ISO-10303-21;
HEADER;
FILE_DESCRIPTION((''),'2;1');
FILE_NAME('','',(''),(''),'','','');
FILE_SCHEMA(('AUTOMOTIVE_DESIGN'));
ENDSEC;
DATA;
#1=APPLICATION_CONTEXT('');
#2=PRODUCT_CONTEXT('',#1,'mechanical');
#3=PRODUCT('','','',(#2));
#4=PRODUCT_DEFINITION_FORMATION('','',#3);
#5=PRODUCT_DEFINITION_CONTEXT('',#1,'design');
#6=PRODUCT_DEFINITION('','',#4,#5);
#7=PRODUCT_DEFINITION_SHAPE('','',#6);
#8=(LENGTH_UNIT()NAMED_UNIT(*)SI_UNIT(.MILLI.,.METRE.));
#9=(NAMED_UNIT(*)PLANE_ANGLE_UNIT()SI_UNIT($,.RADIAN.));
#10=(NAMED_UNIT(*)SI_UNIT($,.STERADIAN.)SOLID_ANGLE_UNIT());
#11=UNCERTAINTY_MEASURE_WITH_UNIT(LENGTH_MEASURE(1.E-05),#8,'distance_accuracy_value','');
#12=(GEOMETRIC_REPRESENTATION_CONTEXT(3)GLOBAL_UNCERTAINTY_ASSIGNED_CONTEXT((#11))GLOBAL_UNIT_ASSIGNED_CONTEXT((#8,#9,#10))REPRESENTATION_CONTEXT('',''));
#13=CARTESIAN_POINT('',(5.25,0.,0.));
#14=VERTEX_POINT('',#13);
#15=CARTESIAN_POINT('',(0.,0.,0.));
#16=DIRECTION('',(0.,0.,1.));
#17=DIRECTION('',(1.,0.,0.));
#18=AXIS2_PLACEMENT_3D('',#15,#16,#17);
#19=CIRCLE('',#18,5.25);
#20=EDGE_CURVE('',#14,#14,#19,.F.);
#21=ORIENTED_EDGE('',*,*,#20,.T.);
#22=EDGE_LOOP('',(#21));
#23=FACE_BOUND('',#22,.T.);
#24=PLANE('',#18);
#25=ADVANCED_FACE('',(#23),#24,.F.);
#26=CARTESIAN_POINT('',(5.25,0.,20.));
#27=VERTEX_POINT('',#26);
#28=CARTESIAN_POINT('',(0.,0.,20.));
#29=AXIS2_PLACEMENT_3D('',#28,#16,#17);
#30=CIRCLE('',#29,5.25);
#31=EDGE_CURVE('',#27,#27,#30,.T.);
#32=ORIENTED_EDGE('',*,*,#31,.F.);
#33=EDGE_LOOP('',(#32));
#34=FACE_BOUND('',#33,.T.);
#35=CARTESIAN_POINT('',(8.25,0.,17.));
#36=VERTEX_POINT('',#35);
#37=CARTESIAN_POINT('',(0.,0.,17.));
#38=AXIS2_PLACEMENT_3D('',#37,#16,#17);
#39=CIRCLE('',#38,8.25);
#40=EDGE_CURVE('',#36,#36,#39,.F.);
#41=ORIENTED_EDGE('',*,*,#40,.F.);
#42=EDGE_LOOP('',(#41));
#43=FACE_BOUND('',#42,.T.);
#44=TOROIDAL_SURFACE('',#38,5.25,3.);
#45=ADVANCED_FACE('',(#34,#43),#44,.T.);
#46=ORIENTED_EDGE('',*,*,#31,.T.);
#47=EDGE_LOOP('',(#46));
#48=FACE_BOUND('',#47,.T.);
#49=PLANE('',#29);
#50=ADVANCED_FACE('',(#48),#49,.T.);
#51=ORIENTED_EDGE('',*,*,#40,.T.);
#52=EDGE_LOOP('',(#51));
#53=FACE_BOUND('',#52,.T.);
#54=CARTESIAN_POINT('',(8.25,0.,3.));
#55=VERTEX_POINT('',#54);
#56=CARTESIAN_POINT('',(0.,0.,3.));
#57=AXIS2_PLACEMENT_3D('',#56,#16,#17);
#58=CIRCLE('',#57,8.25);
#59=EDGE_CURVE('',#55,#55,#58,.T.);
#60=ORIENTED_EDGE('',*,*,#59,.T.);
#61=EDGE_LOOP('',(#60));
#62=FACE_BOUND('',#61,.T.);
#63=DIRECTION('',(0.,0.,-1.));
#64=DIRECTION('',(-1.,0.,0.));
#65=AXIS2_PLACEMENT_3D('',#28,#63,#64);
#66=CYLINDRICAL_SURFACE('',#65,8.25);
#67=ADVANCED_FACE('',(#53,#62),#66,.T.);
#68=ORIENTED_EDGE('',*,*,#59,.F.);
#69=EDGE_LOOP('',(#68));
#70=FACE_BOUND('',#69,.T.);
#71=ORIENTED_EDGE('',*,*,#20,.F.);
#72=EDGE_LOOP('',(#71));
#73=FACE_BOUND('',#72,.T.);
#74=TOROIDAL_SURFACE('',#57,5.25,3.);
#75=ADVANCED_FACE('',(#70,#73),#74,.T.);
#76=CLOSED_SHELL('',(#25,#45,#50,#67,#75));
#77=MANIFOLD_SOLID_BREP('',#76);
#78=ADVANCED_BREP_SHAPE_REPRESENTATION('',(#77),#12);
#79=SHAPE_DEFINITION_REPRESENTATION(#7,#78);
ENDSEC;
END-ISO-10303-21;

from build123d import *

# Parameters (mm, degrees)
SKETCH2_R           = 8.25
BOSS_EXTRUDE1_DEPTH = 20
FILLET1_R           = 3


with BuildPart() as part:
    # Sketch2 → Boss-Extrude1 (new body)
    with BuildSketch(Plane.XY):
        Circle(SKETCH2_R)
    extrude(amount=BOSS_EXTRUDE1_DEPTH)

    # Fillet1
    fillet1_edges = [part.edges().sort_by_distance(p)[0] for p in [
        (-8.25, 0, 0),
        (-8.25, 0, 20),
    ]]
    fillet(fillet1_edges, radius=FILLET1_R)


solid = part.part
